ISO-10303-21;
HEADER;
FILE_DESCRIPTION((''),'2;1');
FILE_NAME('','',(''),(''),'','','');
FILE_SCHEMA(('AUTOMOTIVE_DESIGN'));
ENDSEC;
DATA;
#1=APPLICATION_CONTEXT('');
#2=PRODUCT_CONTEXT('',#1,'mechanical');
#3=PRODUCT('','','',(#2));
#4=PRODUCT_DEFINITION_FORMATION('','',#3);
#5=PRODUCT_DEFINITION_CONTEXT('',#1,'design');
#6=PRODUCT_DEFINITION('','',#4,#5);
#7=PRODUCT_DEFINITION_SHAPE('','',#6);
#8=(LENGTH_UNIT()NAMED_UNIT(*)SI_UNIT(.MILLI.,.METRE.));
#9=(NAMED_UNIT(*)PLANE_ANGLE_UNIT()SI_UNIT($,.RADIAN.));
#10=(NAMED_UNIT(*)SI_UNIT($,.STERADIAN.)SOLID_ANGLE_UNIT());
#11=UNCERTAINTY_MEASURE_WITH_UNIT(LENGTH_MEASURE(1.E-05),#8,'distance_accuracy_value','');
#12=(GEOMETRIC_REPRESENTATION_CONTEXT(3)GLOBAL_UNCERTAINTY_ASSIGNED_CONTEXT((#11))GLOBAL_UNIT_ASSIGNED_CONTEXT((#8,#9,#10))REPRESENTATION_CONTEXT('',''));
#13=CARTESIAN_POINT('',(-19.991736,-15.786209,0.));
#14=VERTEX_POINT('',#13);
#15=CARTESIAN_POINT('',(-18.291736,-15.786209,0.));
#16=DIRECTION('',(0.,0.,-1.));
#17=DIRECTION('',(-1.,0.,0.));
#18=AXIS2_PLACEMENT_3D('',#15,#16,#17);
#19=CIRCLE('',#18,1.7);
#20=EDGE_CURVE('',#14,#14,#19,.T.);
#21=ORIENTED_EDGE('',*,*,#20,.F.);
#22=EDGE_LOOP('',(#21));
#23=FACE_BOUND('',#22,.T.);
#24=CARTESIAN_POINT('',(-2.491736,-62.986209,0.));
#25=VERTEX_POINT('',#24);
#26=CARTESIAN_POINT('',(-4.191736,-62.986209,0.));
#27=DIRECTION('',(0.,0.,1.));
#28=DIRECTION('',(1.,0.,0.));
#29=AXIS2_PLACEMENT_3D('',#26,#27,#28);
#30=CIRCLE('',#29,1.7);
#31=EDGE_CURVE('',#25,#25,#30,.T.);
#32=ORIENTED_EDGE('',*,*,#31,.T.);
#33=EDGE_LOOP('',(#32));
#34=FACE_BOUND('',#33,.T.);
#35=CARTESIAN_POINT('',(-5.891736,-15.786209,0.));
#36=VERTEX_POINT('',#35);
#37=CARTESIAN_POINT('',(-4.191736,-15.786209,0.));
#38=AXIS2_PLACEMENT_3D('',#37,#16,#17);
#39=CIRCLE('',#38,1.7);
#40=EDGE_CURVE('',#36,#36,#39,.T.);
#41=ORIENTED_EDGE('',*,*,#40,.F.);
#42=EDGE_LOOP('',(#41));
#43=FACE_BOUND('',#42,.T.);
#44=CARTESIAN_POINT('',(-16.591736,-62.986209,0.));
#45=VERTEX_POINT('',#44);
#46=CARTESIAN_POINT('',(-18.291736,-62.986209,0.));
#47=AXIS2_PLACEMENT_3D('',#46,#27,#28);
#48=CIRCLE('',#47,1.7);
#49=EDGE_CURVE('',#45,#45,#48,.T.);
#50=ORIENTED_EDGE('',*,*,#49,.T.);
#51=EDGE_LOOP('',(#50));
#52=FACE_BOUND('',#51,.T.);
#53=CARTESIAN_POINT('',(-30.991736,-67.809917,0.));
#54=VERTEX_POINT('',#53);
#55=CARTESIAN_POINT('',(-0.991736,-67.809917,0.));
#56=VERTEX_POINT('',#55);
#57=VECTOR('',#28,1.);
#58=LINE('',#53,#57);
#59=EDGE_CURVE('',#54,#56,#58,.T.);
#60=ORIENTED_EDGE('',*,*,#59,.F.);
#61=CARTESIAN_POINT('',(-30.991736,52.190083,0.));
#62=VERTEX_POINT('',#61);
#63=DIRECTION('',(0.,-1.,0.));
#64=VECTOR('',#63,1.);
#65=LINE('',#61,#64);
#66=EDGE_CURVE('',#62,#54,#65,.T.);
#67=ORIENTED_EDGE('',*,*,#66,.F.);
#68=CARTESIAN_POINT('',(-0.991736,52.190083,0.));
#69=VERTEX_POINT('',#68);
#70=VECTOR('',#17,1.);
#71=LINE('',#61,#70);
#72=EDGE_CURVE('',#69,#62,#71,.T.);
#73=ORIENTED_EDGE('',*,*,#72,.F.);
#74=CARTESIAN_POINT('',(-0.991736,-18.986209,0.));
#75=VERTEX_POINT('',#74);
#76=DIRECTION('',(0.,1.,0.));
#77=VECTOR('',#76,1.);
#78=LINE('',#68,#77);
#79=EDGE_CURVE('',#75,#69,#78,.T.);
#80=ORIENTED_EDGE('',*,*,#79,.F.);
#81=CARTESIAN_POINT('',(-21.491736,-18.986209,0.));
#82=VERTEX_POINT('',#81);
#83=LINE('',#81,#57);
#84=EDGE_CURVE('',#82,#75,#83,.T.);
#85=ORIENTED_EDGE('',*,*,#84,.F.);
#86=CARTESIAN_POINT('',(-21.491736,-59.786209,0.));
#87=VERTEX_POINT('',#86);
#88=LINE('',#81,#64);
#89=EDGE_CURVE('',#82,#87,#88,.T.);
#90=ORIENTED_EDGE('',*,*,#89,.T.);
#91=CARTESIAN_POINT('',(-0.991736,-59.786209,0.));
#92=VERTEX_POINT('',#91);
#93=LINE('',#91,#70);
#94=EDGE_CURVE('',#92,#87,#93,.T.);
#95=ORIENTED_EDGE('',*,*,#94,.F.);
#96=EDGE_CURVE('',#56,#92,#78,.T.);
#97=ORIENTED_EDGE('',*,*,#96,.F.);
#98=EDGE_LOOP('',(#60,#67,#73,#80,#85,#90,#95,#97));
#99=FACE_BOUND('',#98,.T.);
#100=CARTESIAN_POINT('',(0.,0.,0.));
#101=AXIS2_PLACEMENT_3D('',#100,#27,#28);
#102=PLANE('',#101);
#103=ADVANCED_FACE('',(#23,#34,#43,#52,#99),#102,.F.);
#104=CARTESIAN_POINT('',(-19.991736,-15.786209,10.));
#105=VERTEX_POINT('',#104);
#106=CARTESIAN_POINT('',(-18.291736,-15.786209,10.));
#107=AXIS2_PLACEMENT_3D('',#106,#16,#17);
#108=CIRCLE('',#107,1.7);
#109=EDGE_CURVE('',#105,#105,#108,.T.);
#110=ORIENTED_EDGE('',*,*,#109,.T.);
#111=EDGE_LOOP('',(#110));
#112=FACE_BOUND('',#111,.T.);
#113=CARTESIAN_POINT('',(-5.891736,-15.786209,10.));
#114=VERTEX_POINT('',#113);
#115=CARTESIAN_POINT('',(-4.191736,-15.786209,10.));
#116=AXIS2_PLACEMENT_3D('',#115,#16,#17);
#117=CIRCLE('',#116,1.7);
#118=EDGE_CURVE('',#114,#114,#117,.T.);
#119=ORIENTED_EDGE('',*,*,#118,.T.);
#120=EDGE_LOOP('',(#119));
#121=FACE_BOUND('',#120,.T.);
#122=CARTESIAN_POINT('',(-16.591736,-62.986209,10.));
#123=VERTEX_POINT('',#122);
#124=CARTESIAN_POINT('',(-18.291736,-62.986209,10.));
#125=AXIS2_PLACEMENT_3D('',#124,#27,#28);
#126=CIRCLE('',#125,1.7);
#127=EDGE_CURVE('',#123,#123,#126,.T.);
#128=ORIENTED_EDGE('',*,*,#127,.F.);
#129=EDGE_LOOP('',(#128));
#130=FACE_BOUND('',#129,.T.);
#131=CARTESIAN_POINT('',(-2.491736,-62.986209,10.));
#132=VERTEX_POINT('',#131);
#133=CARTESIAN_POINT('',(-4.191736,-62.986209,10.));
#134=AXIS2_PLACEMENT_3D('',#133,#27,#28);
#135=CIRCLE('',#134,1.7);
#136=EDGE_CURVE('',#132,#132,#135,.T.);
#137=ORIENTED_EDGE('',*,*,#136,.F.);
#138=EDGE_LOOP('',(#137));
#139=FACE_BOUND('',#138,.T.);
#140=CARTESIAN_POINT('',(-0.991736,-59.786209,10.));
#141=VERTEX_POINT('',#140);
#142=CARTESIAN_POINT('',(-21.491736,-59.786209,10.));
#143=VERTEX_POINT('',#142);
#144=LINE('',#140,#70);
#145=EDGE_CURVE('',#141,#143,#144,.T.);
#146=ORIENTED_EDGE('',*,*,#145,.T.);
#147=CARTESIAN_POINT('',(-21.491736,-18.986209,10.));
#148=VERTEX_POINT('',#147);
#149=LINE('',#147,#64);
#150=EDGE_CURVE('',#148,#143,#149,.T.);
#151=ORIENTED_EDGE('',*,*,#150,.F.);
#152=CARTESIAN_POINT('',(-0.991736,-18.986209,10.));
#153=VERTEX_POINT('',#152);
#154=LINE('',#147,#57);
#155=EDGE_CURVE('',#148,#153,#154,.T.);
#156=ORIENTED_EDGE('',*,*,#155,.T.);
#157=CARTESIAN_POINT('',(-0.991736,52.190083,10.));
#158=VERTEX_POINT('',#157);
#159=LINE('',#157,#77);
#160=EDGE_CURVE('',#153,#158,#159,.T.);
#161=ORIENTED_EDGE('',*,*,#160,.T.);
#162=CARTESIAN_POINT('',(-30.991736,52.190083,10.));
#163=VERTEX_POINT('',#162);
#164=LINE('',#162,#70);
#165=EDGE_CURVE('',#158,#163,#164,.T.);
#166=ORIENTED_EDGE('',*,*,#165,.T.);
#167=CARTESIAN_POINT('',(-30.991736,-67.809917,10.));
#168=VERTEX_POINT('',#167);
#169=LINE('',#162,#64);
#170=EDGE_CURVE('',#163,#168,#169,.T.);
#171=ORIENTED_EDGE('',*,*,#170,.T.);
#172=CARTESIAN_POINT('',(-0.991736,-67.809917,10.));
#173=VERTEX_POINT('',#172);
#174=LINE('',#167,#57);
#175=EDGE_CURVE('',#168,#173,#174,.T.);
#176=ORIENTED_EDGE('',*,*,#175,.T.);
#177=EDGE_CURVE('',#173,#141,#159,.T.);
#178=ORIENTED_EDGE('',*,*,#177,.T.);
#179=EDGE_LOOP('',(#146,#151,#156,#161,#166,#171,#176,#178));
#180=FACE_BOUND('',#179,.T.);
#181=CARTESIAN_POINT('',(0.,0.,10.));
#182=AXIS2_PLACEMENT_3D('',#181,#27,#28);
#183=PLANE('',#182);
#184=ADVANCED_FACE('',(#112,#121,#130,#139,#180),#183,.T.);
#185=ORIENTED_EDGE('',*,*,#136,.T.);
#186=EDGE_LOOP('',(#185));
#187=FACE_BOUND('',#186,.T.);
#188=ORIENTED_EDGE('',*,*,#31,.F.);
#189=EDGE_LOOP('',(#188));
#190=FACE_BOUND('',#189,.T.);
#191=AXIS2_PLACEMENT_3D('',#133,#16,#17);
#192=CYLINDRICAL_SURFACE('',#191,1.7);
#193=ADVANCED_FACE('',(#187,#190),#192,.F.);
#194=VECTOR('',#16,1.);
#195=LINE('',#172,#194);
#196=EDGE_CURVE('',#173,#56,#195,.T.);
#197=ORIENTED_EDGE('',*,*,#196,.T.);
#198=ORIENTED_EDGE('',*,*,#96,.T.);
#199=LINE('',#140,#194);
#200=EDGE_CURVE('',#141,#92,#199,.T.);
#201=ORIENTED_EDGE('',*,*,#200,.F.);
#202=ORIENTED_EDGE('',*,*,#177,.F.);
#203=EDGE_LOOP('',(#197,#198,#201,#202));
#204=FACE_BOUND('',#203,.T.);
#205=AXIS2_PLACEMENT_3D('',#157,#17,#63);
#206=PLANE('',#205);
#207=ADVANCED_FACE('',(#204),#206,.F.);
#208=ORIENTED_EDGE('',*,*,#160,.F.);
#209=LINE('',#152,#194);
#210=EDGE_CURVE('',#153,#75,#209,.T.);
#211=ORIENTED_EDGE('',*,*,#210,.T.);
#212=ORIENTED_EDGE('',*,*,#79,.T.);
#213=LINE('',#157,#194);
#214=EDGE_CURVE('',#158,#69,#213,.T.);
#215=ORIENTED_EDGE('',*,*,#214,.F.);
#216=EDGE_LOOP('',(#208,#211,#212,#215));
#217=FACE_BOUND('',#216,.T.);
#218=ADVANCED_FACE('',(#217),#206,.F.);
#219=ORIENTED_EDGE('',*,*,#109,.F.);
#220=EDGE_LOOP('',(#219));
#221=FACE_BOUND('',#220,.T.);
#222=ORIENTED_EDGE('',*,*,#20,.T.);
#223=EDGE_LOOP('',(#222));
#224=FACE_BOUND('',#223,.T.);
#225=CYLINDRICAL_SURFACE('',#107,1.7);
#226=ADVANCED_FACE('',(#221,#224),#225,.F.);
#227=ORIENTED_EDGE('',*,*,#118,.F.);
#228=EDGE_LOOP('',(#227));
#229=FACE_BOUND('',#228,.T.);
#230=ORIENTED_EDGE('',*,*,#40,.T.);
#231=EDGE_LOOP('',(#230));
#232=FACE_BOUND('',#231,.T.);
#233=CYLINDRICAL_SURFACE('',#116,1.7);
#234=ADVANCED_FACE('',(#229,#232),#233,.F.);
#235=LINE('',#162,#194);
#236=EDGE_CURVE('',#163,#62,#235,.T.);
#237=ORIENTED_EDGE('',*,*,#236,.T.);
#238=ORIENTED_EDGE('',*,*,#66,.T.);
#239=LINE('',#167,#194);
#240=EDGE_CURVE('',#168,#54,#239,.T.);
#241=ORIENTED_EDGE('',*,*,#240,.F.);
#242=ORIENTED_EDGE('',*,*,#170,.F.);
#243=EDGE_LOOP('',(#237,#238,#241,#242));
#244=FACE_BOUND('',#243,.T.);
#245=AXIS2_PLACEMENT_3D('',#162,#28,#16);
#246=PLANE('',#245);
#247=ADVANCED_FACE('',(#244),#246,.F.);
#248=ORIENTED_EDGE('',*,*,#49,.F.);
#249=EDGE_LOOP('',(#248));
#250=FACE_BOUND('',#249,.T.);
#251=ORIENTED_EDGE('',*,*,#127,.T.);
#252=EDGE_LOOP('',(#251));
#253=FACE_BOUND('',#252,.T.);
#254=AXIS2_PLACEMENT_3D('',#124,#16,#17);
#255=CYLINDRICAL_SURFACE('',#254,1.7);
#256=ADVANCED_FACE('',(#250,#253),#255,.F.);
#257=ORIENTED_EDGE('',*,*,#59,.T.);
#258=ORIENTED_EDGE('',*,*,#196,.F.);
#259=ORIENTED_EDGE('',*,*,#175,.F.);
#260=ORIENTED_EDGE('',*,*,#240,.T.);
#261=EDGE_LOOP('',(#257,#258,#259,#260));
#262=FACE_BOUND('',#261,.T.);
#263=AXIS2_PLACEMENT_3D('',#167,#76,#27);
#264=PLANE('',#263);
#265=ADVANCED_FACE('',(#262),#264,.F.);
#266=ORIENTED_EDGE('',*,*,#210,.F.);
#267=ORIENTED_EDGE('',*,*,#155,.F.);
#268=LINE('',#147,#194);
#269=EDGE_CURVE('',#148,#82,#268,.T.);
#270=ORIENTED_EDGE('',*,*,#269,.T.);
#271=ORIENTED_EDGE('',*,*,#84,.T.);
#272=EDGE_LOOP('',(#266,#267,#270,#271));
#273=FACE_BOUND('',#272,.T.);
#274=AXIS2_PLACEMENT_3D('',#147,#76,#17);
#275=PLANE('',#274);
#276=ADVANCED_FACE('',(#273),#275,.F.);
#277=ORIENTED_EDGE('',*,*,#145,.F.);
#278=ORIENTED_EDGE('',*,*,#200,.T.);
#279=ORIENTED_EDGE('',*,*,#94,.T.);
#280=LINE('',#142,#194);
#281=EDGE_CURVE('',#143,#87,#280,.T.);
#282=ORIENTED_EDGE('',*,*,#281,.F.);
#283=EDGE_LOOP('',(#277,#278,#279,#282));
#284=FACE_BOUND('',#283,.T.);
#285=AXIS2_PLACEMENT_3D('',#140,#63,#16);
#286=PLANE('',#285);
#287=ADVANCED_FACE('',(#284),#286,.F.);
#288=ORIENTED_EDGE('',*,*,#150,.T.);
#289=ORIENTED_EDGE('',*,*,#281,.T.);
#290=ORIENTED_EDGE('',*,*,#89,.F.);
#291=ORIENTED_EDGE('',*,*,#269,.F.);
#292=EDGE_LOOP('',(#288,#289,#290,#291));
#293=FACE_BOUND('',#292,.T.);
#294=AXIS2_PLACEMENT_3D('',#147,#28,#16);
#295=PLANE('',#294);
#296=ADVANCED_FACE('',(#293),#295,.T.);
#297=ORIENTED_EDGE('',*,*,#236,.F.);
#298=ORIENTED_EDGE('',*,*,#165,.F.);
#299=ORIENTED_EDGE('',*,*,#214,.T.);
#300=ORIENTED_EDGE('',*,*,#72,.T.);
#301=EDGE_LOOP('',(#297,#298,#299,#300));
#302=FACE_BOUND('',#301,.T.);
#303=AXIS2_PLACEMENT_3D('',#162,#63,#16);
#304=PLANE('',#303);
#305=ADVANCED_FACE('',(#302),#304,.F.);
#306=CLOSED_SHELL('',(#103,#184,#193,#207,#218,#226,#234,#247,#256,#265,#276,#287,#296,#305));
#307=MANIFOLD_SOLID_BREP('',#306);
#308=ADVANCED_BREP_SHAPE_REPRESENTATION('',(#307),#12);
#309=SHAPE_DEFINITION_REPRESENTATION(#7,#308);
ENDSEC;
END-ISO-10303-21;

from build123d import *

# Parameters (mm, degrees)
SKETCH2_W           = 30
SKETCH2_H           = 120
BOSS_EXTRUDE1_DEPTH = 10
SKETCH3_R           = 1.7
SKETCH3_W           = 20.5
SKETCH3_H           = 40.8
CUT_EXTRUDE3_DEPTH  = 76.224148804


with BuildPart() as part:
    # Sketch2 → Boss-Extrude1 (new body)
    with BuildSketch(Plane.XY):
        with Locations((-15.991735537, -7.809917355)):
            Rectangle(SKETCH2_W, SKETCH2_H)
    extrude(amount=BOSS_EXTRUDE1_DEPTH)

    # Sketch3 → Cut-Extrude3 (cut, through all)
    with BuildSketch(Plane.XY):
        with Locations((-18.291735537, -62.986209282)):
            Circle(SKETCH3_R)
        with Locations((-4.191735537, -62.986209282)):
            Circle(SKETCH3_R)
        with Locations(Location((-4.191735537, -15.786209282, 0), (0, 0, 180))):
            Circle(SKETCH3_R)
        with Locations(Location((-18.291735537, -15.786209282, 0), (0, 0, 180))):
            Circle(SKETCH3_R)
        with Locations((-11.241735537, -39.386209282)):
            Rectangle(SKETCH3_W, SKETCH3_H)
    extrude(amount=CUT_EXTRUDE3_DEPTH, mode=Mode.SUBTRACT)


solid = part.part
